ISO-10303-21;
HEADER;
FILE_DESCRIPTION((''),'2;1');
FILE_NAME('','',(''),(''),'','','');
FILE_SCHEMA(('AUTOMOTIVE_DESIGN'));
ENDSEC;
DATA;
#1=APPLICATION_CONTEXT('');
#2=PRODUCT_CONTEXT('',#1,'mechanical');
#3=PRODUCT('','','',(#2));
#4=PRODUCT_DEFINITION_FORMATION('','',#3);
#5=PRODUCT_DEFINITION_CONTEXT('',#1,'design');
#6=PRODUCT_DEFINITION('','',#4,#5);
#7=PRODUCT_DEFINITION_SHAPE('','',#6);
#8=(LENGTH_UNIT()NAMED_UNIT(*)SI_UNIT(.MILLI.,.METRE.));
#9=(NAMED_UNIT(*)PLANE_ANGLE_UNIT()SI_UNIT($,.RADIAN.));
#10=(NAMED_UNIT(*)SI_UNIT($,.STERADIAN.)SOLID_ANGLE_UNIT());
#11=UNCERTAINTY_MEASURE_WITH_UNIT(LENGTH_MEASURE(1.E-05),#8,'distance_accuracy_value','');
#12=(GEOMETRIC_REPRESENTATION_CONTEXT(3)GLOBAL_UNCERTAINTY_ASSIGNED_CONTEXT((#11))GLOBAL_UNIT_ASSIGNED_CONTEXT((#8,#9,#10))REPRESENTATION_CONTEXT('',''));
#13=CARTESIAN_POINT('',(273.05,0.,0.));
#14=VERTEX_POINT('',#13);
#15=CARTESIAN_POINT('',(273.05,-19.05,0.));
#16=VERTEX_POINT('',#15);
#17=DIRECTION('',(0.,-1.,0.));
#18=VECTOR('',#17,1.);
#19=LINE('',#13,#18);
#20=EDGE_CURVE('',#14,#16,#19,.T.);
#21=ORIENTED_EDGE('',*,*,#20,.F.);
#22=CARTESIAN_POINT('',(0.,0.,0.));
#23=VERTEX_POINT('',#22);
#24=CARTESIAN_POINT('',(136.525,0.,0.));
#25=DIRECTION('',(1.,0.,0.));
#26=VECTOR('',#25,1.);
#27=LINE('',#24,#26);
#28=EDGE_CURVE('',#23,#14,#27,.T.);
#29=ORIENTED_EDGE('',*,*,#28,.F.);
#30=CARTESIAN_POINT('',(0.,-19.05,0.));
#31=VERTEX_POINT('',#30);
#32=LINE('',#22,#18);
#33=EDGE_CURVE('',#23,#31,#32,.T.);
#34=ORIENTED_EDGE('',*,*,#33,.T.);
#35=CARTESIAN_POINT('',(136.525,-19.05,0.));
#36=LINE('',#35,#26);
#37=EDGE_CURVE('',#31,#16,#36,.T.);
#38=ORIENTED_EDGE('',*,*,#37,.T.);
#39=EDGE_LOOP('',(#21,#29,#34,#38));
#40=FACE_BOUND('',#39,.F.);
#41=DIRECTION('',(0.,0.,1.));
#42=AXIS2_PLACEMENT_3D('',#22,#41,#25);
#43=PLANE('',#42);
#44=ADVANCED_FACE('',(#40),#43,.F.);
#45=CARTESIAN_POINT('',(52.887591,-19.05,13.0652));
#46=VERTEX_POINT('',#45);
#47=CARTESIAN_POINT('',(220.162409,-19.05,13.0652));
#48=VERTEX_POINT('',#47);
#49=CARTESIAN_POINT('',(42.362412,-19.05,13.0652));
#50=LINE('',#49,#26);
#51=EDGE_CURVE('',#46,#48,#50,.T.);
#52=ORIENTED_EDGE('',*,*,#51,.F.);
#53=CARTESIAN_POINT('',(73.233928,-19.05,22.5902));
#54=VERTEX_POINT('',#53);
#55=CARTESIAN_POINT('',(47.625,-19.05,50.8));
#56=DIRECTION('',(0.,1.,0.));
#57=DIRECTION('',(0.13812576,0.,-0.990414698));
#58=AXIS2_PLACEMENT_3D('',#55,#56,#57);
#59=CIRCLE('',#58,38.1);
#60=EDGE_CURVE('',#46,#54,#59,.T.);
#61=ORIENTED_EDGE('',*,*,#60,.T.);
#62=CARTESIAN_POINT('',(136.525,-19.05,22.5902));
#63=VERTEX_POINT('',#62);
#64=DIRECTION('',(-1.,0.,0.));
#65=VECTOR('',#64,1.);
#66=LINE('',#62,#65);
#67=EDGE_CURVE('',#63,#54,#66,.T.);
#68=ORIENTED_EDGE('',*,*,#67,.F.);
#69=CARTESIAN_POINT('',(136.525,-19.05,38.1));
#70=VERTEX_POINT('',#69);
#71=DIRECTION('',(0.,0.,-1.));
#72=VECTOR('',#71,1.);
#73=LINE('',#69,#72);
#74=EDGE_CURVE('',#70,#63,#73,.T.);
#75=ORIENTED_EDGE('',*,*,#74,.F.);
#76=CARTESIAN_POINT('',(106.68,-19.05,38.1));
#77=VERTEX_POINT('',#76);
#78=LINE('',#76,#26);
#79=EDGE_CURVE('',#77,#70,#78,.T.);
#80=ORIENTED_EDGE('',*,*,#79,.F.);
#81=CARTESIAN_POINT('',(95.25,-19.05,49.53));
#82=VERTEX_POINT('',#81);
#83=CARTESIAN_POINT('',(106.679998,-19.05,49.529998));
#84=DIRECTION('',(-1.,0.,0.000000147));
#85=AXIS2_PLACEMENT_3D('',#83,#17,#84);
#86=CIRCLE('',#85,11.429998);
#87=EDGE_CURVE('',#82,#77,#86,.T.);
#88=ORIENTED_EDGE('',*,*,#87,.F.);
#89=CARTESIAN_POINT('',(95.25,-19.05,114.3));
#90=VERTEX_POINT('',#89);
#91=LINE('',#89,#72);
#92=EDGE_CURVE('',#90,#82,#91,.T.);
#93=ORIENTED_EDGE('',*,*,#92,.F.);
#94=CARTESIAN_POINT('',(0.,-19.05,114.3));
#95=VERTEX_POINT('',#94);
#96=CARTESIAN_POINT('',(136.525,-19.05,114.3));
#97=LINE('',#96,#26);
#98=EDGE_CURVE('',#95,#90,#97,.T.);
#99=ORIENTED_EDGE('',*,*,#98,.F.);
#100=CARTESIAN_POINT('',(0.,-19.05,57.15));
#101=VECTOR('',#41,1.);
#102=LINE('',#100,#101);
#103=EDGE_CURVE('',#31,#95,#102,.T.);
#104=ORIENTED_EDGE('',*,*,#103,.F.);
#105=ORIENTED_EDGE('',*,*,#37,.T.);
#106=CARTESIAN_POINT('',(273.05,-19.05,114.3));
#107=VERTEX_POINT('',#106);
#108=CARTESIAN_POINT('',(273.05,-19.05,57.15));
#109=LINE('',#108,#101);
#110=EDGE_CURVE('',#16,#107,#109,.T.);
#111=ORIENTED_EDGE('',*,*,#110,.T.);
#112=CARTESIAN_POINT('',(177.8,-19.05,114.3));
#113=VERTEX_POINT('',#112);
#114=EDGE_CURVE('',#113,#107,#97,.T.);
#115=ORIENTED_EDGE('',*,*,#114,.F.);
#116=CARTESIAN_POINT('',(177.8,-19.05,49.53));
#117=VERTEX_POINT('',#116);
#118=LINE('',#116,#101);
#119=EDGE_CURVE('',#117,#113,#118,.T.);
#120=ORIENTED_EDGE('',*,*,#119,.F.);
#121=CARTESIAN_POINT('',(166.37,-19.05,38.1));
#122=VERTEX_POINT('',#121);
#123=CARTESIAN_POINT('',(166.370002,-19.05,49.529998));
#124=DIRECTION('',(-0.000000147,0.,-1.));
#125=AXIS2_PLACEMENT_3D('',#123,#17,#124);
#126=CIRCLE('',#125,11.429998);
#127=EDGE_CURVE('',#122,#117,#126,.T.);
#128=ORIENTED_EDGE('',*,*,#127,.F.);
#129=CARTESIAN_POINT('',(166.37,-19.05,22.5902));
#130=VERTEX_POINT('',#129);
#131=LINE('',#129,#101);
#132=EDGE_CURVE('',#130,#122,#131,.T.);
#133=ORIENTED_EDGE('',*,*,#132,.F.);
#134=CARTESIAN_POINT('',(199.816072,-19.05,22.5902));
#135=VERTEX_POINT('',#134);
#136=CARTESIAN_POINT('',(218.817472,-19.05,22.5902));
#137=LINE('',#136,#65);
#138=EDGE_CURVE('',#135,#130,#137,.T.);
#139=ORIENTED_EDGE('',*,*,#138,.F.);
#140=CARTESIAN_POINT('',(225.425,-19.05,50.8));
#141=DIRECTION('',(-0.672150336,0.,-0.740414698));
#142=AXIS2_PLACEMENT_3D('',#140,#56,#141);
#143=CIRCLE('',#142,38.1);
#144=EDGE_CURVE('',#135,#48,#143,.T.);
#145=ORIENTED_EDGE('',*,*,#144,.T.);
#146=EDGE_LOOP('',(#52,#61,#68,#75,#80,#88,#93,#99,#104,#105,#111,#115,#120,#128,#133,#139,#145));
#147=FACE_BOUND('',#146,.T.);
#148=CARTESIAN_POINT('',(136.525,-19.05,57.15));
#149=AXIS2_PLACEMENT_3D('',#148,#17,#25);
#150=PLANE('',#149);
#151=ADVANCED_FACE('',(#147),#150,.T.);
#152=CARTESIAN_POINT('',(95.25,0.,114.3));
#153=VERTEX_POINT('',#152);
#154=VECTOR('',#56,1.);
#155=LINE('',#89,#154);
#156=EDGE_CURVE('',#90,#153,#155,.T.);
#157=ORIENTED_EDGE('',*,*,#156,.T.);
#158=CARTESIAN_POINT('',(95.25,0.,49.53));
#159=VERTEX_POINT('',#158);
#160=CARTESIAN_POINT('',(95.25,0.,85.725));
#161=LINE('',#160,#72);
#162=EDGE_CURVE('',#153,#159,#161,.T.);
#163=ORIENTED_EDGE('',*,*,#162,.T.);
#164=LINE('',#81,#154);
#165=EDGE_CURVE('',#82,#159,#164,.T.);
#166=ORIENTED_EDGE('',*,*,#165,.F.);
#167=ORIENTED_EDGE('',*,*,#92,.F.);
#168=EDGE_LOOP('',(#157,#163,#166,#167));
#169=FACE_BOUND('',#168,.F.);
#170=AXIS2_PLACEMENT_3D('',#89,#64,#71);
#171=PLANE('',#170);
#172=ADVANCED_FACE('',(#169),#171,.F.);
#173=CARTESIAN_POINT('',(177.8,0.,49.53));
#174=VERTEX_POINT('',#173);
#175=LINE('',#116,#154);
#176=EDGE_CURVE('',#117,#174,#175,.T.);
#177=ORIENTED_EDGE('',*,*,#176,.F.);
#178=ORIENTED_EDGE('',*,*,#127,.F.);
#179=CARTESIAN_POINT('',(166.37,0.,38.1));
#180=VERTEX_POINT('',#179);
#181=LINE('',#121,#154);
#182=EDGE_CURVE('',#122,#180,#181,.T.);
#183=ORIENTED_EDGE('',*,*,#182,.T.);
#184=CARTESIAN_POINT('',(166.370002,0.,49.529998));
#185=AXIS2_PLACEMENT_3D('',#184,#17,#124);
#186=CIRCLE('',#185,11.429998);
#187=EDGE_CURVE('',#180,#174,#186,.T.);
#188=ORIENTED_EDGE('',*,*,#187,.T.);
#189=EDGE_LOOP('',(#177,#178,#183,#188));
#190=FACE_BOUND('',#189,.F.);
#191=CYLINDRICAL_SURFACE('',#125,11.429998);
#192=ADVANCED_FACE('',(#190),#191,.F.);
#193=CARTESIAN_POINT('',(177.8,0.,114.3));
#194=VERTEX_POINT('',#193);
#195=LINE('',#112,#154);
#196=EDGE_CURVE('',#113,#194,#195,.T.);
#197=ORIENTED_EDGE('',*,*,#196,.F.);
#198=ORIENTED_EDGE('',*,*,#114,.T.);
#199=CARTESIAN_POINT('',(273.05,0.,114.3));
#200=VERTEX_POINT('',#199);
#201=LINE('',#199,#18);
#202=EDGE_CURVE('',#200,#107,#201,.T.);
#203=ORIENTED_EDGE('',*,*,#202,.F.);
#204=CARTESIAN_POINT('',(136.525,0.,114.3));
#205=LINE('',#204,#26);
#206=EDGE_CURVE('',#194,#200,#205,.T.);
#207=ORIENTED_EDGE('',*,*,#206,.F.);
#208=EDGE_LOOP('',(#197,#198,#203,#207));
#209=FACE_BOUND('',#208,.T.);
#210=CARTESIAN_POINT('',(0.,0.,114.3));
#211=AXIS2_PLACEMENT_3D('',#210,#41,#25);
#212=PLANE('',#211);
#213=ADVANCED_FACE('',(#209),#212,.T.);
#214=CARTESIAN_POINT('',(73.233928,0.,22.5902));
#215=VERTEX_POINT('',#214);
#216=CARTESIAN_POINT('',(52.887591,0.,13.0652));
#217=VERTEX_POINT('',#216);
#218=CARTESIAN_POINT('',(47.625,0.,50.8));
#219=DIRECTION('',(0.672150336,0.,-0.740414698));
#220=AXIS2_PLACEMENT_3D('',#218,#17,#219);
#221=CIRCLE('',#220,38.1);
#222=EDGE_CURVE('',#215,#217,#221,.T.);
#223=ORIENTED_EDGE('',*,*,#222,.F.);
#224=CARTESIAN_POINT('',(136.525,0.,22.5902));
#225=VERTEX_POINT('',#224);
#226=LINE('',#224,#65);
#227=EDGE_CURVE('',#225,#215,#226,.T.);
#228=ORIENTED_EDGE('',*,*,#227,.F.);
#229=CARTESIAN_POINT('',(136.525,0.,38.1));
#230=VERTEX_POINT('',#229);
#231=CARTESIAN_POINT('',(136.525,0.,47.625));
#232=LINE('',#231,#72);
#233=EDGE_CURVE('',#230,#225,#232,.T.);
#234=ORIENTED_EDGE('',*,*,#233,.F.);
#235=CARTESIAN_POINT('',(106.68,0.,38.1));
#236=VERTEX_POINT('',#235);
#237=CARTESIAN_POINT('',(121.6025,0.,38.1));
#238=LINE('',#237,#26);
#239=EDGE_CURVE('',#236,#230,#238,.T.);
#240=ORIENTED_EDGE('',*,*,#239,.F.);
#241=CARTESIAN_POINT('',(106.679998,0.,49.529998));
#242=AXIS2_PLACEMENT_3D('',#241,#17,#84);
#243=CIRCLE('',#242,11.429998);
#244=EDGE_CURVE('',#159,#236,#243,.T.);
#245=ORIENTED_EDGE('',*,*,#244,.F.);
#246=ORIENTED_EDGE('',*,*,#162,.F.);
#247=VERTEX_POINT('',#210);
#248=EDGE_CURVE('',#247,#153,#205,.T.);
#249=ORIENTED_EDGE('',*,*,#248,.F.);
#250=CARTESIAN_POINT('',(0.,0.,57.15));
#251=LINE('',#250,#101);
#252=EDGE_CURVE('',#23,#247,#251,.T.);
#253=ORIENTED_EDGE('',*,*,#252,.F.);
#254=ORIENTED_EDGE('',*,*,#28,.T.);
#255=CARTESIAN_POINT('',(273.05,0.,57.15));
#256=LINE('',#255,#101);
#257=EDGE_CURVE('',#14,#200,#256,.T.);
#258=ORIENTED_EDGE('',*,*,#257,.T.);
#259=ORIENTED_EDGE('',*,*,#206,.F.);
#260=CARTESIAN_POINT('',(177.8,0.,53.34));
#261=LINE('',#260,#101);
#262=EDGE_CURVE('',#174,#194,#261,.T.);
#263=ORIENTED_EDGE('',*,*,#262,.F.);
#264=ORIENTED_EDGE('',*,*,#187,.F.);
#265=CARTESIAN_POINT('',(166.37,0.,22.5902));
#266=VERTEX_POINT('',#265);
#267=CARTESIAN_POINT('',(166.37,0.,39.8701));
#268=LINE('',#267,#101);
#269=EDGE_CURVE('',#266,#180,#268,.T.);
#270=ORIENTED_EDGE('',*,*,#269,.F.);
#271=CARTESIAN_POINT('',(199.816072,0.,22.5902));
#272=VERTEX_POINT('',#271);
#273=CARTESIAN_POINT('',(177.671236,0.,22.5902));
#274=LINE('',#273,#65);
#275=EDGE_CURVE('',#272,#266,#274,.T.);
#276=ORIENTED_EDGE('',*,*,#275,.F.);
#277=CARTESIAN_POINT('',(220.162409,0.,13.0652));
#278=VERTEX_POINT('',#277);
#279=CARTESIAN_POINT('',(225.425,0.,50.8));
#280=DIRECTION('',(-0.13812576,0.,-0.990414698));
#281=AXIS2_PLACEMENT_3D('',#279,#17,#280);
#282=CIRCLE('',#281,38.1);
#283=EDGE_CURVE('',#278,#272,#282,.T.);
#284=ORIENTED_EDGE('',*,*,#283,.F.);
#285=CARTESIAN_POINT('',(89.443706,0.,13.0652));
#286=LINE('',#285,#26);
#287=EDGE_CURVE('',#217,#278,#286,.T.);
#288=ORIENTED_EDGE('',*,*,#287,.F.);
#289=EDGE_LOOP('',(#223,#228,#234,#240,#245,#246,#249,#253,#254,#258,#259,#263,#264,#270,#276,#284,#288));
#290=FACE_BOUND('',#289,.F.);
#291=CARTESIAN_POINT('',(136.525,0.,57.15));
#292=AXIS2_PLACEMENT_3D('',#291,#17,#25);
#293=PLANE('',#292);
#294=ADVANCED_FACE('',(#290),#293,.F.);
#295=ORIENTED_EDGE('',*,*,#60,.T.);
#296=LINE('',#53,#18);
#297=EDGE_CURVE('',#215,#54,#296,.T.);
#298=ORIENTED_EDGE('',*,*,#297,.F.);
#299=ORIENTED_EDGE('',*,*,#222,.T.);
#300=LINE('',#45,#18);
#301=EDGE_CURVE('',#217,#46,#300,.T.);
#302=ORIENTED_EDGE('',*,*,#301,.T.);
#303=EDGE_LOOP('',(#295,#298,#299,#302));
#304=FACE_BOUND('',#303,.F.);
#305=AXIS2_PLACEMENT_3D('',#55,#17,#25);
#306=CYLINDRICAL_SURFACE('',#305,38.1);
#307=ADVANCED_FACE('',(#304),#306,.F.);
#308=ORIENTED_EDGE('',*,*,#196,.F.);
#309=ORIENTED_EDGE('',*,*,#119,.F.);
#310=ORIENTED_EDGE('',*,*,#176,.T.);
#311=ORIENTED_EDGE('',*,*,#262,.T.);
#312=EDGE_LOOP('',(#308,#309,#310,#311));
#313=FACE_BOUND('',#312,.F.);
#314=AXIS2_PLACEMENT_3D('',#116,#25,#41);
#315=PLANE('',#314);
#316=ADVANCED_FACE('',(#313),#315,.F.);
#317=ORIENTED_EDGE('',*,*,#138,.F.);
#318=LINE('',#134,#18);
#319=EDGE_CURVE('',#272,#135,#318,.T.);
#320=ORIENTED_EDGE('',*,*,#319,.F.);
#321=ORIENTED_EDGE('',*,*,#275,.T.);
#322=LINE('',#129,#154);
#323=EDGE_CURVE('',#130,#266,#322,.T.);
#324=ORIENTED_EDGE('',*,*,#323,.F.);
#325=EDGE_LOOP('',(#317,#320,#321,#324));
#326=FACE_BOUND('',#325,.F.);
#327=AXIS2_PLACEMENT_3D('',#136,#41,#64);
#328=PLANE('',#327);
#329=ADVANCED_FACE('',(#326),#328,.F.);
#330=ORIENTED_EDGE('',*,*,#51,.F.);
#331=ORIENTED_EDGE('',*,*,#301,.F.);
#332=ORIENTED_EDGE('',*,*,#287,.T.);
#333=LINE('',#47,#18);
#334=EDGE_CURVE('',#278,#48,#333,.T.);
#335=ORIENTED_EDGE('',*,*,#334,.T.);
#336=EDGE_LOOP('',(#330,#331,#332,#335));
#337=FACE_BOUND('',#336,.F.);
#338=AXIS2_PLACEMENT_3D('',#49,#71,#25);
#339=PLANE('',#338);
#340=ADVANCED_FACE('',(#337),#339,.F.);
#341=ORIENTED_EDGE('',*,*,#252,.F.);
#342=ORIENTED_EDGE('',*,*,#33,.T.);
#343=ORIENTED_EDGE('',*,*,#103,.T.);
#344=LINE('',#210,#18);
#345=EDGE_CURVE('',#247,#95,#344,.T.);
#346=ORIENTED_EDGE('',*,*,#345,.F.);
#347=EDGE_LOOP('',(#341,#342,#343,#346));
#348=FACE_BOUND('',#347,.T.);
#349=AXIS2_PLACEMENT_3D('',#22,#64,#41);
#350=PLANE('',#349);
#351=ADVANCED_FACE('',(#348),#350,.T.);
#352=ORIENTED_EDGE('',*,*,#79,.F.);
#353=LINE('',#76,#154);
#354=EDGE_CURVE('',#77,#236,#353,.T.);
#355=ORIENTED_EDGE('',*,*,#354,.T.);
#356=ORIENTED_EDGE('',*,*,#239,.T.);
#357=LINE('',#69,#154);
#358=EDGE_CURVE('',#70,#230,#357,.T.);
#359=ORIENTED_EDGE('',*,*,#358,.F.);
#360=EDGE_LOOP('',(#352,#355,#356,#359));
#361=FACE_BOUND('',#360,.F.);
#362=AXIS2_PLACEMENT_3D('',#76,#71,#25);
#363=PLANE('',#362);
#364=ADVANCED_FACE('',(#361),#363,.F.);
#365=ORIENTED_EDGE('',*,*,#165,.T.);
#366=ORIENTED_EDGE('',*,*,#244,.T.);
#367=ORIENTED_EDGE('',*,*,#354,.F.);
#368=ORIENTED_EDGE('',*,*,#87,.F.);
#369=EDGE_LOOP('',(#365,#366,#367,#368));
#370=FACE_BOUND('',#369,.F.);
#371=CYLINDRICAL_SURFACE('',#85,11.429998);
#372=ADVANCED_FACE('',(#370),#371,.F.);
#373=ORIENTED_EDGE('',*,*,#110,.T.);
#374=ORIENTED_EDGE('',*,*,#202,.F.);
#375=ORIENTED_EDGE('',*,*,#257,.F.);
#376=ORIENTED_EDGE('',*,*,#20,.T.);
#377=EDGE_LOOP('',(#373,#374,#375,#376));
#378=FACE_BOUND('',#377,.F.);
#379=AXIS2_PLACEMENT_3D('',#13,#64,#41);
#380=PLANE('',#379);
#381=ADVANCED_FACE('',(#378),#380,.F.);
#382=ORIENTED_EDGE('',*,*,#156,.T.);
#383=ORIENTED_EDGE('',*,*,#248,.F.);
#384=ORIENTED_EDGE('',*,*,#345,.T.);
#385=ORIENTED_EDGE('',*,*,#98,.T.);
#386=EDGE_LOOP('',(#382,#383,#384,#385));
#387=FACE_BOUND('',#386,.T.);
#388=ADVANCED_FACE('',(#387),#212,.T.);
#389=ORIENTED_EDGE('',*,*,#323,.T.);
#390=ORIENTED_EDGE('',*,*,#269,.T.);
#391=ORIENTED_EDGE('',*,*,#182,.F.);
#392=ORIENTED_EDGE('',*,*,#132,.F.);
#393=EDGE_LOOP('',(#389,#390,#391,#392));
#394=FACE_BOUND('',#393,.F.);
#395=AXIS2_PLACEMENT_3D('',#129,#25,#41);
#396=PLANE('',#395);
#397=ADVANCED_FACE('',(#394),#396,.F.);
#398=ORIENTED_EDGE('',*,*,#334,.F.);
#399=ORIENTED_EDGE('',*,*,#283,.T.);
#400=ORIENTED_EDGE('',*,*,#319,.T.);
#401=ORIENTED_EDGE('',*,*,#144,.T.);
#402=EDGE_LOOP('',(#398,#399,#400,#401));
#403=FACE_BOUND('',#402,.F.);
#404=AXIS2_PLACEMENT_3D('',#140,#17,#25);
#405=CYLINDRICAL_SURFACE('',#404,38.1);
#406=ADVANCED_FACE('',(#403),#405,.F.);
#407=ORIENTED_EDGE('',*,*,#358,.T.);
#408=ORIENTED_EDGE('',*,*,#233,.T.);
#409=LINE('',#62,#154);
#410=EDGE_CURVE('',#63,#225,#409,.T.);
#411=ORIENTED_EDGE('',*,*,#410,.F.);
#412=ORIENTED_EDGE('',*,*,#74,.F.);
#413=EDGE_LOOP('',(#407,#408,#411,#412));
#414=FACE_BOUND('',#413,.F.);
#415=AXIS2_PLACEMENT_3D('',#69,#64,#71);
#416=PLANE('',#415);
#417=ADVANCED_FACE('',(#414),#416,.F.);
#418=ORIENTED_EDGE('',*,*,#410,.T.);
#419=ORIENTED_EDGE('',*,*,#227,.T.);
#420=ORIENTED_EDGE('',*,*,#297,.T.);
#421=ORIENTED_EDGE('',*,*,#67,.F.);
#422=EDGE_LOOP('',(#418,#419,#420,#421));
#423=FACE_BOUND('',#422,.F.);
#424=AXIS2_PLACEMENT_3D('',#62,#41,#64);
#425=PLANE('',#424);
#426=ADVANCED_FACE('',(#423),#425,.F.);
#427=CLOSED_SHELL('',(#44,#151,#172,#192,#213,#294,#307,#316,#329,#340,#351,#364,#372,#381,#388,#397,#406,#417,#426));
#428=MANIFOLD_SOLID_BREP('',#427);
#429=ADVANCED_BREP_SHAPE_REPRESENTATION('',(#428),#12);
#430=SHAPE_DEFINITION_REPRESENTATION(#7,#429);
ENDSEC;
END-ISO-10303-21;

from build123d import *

# Parameters (mm, degrees)
F0_W     = 273.05
F0_H     = 114.3
F1_DEPTH = 19.05
F2_R     = 38.1
F3_DEPTH = 25.4
F5_DEPTH = 25.4
F7_DEPTH = 25.4


with BuildPart() as f1:
    # F0 (on Front) → F1 (new body)
    with BuildSketch(Plane.XZ):
        with Locations((136.525, 57.15)):
            Rectangle(F0_W, F0_H)
    extrude(amount=F1_DEPTH)

    # F2 (on face) → F3 (cut)
    with BuildSketch(Plane.XZ.offset(19.05)):
        with Locations((225.425, 50.8)):
            Circle(F2_R)
        with Locations((47.625, 50.8)):
            Circle(F2_R)
    extrude(amount=-F3_DEPTH, mode=Mode.SUBTRACT)

    # F4 (on face) → F5 (cut)
    with BuildSketch(Plane.XZ.offset(19.05)):
        with BuildLine():
            Line((177.8, 114.3), (95.25, 114.3))
            Line((95.25, 114.3), (95.25, 49.53))
            ThreePointArc((95.25, 49.53), (98.597769, 41.447769), (106.68, 38.1))
            Line((106.68, 38.1), (166.37, 38.1))
            ThreePointArc((166.37, 38.1), (174.452231, 41.447769), (177.8, 49.53))
            Line((177.8, 49.53), (177.8, 114.3))
        make_face()
    extrude(amount=-F5_DEPTH, mode=Mode.SUBTRACT)

    # F6 (on face) → F7 (cut)
    with BuildSketch(Plane.XZ.offset(19.05)):
        Polygon((166.37, 22.5902), (166.37, 38.1), (136.525, 38.1), (136.525, 22.5902), (54.541018, 22.5902), (42.362412, 13.0652), (230.687588, 13.0652), (218.817472, 22.5902), align=None)
    extrude(amount=-F7_DEPTH, mode=Mode.SUBTRACT)


solid = f1.part
